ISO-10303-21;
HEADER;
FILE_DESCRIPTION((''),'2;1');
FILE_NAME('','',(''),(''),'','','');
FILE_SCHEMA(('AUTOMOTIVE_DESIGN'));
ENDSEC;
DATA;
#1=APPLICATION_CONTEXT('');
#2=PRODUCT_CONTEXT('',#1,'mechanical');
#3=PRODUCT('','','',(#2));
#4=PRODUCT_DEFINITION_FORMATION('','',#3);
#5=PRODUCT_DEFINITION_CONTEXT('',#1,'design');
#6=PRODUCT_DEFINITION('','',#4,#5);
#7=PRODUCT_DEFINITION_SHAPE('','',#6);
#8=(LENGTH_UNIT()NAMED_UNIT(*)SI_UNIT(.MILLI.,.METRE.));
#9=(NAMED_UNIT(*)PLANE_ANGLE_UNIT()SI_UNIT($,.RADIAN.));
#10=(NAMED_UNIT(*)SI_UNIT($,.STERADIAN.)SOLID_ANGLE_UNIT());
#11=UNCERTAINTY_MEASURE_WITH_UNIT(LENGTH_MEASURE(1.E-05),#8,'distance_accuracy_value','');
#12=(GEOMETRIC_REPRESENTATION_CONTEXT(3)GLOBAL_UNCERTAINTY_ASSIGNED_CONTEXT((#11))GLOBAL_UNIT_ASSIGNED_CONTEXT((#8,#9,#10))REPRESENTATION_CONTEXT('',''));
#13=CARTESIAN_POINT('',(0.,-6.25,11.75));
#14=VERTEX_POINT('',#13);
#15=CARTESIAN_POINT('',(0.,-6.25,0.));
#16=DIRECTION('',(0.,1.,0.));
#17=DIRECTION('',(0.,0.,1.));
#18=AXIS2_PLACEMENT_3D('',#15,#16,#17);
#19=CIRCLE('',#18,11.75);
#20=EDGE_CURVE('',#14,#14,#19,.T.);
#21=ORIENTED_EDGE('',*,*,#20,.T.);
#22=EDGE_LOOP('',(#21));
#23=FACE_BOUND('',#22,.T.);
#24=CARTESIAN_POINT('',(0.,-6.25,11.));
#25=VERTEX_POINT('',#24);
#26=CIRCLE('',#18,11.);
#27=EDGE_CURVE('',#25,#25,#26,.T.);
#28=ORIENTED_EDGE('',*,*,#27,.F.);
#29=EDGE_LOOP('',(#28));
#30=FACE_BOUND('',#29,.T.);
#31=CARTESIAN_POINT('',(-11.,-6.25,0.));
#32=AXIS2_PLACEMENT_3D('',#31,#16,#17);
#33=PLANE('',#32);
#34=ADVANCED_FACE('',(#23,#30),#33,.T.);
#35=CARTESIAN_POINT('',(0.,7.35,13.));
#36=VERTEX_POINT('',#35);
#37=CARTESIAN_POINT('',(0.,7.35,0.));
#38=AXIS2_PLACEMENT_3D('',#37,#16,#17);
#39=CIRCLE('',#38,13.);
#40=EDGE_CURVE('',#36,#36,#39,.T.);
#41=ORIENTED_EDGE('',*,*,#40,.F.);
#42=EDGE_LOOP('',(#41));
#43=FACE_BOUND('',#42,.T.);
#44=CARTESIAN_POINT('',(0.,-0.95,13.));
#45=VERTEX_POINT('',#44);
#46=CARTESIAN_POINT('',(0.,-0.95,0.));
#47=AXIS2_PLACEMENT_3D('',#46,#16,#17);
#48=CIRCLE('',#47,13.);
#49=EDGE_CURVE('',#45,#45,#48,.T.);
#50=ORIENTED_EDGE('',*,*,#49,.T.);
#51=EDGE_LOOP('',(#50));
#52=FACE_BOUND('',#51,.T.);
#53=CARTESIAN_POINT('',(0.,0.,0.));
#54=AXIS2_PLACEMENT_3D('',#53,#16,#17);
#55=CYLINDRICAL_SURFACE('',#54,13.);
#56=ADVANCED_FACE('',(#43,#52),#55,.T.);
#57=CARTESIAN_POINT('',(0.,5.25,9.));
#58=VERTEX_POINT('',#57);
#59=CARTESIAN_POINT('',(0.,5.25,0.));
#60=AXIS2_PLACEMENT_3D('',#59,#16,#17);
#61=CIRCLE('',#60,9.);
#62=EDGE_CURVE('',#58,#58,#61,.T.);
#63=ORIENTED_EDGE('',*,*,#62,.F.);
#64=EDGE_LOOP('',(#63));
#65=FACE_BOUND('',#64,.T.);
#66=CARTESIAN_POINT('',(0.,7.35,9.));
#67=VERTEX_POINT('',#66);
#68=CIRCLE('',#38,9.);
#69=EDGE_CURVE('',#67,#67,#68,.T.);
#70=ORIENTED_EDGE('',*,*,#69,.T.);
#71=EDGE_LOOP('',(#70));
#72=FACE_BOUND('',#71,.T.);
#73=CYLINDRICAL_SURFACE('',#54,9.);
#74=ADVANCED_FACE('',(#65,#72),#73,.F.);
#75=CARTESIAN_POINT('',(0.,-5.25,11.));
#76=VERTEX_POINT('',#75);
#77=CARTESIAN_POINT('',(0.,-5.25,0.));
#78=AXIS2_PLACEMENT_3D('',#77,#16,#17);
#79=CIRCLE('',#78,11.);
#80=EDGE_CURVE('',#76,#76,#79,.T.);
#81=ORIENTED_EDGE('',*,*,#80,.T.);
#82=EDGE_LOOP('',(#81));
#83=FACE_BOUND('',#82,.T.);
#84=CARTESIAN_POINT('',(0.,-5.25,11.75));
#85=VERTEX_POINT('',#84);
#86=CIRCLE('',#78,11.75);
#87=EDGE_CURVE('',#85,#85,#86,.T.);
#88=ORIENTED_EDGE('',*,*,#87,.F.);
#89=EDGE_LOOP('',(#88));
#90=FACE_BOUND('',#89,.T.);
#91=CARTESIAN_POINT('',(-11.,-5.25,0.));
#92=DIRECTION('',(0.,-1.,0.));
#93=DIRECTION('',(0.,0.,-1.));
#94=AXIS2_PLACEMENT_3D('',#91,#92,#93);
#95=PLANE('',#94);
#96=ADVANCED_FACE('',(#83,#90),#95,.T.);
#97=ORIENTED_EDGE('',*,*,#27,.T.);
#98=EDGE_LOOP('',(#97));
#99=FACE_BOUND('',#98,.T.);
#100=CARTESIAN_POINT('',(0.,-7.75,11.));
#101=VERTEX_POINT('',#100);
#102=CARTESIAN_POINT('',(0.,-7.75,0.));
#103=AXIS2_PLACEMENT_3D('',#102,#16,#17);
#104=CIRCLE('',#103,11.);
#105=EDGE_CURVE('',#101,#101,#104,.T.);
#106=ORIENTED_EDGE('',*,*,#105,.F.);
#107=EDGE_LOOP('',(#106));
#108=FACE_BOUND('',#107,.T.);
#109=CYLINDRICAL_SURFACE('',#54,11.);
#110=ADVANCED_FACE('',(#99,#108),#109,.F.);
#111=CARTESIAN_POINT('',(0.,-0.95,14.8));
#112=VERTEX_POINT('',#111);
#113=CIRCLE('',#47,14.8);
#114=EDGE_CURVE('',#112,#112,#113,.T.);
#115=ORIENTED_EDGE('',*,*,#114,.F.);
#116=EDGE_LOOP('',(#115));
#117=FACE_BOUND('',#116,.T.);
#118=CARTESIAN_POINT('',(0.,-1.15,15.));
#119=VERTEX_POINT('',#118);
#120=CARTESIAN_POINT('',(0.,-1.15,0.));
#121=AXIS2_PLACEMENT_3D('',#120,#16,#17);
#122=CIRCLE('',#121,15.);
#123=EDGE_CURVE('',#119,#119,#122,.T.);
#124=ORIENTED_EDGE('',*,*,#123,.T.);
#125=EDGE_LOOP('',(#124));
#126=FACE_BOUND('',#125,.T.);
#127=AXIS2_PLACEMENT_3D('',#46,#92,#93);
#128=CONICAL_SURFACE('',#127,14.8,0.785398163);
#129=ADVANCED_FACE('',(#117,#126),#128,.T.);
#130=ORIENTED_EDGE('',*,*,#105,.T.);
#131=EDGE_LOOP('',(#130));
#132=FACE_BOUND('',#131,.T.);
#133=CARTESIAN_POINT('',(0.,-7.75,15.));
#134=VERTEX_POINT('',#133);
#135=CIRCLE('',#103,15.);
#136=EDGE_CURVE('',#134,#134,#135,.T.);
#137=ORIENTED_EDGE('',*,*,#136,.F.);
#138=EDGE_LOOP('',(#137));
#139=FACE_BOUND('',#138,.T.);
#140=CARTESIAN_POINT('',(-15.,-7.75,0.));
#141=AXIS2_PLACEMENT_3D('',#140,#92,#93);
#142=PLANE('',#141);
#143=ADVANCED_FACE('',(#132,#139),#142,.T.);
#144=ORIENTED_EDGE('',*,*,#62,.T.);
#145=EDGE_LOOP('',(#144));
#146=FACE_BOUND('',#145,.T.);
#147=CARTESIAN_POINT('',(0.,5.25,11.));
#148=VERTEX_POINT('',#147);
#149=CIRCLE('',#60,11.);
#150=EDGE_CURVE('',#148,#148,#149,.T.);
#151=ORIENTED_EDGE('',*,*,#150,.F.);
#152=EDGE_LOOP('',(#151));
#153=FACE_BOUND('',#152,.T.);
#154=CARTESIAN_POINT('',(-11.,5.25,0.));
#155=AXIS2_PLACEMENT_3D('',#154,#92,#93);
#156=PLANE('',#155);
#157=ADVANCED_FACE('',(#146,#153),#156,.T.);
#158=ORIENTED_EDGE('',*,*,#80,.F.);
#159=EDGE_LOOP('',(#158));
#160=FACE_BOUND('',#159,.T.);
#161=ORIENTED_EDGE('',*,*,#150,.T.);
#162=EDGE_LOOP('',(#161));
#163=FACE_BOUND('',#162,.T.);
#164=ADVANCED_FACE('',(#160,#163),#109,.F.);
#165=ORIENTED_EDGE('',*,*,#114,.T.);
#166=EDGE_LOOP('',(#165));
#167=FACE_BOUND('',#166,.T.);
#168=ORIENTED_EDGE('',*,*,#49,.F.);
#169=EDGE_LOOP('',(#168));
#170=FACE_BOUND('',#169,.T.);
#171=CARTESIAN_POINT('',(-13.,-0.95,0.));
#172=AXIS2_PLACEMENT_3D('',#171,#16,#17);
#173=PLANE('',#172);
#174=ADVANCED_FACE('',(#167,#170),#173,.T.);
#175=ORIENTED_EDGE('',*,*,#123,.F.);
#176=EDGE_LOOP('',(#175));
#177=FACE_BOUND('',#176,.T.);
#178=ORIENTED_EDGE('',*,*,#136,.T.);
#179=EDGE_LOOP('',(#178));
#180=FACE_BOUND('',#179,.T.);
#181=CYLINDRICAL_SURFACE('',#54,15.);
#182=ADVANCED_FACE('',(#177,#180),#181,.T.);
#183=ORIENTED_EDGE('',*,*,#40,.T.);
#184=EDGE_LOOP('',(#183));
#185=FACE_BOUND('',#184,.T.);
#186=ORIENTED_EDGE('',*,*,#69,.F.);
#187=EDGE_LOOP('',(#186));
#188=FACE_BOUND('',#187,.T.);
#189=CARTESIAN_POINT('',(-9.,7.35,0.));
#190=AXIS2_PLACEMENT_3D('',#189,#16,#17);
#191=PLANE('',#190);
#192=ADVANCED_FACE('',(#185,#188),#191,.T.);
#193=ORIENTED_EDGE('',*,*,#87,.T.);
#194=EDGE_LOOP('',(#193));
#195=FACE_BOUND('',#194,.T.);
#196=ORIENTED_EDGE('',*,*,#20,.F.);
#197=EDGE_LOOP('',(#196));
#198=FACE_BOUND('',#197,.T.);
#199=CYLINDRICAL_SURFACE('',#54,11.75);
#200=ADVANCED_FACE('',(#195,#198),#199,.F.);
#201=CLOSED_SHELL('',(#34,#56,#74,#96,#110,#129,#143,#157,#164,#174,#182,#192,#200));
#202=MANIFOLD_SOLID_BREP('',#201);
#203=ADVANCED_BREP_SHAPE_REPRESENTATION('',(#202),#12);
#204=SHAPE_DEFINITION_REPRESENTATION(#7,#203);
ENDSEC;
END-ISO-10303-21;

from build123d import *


with BuildPart() as part:
    # Sketch1 → Revolve1 (revolve)
    with BuildSketch(Plane.XY):
        Polygon((-9, 7.35), (-13, 7.35), (-13, -0.95), (-14.8, -0.95), (-15, -1.15), (-15, -7.75), (-11, -7.75), (-11, -6.25), (-11.75, -6.25), (-11.75, -5.25), (-11, -5.25), (-11, 5.25), (-9, 5.25), align=None)
    revolve(axis=Axis((0, 0, 0), (0, -1, 0)))


solid = part.part
